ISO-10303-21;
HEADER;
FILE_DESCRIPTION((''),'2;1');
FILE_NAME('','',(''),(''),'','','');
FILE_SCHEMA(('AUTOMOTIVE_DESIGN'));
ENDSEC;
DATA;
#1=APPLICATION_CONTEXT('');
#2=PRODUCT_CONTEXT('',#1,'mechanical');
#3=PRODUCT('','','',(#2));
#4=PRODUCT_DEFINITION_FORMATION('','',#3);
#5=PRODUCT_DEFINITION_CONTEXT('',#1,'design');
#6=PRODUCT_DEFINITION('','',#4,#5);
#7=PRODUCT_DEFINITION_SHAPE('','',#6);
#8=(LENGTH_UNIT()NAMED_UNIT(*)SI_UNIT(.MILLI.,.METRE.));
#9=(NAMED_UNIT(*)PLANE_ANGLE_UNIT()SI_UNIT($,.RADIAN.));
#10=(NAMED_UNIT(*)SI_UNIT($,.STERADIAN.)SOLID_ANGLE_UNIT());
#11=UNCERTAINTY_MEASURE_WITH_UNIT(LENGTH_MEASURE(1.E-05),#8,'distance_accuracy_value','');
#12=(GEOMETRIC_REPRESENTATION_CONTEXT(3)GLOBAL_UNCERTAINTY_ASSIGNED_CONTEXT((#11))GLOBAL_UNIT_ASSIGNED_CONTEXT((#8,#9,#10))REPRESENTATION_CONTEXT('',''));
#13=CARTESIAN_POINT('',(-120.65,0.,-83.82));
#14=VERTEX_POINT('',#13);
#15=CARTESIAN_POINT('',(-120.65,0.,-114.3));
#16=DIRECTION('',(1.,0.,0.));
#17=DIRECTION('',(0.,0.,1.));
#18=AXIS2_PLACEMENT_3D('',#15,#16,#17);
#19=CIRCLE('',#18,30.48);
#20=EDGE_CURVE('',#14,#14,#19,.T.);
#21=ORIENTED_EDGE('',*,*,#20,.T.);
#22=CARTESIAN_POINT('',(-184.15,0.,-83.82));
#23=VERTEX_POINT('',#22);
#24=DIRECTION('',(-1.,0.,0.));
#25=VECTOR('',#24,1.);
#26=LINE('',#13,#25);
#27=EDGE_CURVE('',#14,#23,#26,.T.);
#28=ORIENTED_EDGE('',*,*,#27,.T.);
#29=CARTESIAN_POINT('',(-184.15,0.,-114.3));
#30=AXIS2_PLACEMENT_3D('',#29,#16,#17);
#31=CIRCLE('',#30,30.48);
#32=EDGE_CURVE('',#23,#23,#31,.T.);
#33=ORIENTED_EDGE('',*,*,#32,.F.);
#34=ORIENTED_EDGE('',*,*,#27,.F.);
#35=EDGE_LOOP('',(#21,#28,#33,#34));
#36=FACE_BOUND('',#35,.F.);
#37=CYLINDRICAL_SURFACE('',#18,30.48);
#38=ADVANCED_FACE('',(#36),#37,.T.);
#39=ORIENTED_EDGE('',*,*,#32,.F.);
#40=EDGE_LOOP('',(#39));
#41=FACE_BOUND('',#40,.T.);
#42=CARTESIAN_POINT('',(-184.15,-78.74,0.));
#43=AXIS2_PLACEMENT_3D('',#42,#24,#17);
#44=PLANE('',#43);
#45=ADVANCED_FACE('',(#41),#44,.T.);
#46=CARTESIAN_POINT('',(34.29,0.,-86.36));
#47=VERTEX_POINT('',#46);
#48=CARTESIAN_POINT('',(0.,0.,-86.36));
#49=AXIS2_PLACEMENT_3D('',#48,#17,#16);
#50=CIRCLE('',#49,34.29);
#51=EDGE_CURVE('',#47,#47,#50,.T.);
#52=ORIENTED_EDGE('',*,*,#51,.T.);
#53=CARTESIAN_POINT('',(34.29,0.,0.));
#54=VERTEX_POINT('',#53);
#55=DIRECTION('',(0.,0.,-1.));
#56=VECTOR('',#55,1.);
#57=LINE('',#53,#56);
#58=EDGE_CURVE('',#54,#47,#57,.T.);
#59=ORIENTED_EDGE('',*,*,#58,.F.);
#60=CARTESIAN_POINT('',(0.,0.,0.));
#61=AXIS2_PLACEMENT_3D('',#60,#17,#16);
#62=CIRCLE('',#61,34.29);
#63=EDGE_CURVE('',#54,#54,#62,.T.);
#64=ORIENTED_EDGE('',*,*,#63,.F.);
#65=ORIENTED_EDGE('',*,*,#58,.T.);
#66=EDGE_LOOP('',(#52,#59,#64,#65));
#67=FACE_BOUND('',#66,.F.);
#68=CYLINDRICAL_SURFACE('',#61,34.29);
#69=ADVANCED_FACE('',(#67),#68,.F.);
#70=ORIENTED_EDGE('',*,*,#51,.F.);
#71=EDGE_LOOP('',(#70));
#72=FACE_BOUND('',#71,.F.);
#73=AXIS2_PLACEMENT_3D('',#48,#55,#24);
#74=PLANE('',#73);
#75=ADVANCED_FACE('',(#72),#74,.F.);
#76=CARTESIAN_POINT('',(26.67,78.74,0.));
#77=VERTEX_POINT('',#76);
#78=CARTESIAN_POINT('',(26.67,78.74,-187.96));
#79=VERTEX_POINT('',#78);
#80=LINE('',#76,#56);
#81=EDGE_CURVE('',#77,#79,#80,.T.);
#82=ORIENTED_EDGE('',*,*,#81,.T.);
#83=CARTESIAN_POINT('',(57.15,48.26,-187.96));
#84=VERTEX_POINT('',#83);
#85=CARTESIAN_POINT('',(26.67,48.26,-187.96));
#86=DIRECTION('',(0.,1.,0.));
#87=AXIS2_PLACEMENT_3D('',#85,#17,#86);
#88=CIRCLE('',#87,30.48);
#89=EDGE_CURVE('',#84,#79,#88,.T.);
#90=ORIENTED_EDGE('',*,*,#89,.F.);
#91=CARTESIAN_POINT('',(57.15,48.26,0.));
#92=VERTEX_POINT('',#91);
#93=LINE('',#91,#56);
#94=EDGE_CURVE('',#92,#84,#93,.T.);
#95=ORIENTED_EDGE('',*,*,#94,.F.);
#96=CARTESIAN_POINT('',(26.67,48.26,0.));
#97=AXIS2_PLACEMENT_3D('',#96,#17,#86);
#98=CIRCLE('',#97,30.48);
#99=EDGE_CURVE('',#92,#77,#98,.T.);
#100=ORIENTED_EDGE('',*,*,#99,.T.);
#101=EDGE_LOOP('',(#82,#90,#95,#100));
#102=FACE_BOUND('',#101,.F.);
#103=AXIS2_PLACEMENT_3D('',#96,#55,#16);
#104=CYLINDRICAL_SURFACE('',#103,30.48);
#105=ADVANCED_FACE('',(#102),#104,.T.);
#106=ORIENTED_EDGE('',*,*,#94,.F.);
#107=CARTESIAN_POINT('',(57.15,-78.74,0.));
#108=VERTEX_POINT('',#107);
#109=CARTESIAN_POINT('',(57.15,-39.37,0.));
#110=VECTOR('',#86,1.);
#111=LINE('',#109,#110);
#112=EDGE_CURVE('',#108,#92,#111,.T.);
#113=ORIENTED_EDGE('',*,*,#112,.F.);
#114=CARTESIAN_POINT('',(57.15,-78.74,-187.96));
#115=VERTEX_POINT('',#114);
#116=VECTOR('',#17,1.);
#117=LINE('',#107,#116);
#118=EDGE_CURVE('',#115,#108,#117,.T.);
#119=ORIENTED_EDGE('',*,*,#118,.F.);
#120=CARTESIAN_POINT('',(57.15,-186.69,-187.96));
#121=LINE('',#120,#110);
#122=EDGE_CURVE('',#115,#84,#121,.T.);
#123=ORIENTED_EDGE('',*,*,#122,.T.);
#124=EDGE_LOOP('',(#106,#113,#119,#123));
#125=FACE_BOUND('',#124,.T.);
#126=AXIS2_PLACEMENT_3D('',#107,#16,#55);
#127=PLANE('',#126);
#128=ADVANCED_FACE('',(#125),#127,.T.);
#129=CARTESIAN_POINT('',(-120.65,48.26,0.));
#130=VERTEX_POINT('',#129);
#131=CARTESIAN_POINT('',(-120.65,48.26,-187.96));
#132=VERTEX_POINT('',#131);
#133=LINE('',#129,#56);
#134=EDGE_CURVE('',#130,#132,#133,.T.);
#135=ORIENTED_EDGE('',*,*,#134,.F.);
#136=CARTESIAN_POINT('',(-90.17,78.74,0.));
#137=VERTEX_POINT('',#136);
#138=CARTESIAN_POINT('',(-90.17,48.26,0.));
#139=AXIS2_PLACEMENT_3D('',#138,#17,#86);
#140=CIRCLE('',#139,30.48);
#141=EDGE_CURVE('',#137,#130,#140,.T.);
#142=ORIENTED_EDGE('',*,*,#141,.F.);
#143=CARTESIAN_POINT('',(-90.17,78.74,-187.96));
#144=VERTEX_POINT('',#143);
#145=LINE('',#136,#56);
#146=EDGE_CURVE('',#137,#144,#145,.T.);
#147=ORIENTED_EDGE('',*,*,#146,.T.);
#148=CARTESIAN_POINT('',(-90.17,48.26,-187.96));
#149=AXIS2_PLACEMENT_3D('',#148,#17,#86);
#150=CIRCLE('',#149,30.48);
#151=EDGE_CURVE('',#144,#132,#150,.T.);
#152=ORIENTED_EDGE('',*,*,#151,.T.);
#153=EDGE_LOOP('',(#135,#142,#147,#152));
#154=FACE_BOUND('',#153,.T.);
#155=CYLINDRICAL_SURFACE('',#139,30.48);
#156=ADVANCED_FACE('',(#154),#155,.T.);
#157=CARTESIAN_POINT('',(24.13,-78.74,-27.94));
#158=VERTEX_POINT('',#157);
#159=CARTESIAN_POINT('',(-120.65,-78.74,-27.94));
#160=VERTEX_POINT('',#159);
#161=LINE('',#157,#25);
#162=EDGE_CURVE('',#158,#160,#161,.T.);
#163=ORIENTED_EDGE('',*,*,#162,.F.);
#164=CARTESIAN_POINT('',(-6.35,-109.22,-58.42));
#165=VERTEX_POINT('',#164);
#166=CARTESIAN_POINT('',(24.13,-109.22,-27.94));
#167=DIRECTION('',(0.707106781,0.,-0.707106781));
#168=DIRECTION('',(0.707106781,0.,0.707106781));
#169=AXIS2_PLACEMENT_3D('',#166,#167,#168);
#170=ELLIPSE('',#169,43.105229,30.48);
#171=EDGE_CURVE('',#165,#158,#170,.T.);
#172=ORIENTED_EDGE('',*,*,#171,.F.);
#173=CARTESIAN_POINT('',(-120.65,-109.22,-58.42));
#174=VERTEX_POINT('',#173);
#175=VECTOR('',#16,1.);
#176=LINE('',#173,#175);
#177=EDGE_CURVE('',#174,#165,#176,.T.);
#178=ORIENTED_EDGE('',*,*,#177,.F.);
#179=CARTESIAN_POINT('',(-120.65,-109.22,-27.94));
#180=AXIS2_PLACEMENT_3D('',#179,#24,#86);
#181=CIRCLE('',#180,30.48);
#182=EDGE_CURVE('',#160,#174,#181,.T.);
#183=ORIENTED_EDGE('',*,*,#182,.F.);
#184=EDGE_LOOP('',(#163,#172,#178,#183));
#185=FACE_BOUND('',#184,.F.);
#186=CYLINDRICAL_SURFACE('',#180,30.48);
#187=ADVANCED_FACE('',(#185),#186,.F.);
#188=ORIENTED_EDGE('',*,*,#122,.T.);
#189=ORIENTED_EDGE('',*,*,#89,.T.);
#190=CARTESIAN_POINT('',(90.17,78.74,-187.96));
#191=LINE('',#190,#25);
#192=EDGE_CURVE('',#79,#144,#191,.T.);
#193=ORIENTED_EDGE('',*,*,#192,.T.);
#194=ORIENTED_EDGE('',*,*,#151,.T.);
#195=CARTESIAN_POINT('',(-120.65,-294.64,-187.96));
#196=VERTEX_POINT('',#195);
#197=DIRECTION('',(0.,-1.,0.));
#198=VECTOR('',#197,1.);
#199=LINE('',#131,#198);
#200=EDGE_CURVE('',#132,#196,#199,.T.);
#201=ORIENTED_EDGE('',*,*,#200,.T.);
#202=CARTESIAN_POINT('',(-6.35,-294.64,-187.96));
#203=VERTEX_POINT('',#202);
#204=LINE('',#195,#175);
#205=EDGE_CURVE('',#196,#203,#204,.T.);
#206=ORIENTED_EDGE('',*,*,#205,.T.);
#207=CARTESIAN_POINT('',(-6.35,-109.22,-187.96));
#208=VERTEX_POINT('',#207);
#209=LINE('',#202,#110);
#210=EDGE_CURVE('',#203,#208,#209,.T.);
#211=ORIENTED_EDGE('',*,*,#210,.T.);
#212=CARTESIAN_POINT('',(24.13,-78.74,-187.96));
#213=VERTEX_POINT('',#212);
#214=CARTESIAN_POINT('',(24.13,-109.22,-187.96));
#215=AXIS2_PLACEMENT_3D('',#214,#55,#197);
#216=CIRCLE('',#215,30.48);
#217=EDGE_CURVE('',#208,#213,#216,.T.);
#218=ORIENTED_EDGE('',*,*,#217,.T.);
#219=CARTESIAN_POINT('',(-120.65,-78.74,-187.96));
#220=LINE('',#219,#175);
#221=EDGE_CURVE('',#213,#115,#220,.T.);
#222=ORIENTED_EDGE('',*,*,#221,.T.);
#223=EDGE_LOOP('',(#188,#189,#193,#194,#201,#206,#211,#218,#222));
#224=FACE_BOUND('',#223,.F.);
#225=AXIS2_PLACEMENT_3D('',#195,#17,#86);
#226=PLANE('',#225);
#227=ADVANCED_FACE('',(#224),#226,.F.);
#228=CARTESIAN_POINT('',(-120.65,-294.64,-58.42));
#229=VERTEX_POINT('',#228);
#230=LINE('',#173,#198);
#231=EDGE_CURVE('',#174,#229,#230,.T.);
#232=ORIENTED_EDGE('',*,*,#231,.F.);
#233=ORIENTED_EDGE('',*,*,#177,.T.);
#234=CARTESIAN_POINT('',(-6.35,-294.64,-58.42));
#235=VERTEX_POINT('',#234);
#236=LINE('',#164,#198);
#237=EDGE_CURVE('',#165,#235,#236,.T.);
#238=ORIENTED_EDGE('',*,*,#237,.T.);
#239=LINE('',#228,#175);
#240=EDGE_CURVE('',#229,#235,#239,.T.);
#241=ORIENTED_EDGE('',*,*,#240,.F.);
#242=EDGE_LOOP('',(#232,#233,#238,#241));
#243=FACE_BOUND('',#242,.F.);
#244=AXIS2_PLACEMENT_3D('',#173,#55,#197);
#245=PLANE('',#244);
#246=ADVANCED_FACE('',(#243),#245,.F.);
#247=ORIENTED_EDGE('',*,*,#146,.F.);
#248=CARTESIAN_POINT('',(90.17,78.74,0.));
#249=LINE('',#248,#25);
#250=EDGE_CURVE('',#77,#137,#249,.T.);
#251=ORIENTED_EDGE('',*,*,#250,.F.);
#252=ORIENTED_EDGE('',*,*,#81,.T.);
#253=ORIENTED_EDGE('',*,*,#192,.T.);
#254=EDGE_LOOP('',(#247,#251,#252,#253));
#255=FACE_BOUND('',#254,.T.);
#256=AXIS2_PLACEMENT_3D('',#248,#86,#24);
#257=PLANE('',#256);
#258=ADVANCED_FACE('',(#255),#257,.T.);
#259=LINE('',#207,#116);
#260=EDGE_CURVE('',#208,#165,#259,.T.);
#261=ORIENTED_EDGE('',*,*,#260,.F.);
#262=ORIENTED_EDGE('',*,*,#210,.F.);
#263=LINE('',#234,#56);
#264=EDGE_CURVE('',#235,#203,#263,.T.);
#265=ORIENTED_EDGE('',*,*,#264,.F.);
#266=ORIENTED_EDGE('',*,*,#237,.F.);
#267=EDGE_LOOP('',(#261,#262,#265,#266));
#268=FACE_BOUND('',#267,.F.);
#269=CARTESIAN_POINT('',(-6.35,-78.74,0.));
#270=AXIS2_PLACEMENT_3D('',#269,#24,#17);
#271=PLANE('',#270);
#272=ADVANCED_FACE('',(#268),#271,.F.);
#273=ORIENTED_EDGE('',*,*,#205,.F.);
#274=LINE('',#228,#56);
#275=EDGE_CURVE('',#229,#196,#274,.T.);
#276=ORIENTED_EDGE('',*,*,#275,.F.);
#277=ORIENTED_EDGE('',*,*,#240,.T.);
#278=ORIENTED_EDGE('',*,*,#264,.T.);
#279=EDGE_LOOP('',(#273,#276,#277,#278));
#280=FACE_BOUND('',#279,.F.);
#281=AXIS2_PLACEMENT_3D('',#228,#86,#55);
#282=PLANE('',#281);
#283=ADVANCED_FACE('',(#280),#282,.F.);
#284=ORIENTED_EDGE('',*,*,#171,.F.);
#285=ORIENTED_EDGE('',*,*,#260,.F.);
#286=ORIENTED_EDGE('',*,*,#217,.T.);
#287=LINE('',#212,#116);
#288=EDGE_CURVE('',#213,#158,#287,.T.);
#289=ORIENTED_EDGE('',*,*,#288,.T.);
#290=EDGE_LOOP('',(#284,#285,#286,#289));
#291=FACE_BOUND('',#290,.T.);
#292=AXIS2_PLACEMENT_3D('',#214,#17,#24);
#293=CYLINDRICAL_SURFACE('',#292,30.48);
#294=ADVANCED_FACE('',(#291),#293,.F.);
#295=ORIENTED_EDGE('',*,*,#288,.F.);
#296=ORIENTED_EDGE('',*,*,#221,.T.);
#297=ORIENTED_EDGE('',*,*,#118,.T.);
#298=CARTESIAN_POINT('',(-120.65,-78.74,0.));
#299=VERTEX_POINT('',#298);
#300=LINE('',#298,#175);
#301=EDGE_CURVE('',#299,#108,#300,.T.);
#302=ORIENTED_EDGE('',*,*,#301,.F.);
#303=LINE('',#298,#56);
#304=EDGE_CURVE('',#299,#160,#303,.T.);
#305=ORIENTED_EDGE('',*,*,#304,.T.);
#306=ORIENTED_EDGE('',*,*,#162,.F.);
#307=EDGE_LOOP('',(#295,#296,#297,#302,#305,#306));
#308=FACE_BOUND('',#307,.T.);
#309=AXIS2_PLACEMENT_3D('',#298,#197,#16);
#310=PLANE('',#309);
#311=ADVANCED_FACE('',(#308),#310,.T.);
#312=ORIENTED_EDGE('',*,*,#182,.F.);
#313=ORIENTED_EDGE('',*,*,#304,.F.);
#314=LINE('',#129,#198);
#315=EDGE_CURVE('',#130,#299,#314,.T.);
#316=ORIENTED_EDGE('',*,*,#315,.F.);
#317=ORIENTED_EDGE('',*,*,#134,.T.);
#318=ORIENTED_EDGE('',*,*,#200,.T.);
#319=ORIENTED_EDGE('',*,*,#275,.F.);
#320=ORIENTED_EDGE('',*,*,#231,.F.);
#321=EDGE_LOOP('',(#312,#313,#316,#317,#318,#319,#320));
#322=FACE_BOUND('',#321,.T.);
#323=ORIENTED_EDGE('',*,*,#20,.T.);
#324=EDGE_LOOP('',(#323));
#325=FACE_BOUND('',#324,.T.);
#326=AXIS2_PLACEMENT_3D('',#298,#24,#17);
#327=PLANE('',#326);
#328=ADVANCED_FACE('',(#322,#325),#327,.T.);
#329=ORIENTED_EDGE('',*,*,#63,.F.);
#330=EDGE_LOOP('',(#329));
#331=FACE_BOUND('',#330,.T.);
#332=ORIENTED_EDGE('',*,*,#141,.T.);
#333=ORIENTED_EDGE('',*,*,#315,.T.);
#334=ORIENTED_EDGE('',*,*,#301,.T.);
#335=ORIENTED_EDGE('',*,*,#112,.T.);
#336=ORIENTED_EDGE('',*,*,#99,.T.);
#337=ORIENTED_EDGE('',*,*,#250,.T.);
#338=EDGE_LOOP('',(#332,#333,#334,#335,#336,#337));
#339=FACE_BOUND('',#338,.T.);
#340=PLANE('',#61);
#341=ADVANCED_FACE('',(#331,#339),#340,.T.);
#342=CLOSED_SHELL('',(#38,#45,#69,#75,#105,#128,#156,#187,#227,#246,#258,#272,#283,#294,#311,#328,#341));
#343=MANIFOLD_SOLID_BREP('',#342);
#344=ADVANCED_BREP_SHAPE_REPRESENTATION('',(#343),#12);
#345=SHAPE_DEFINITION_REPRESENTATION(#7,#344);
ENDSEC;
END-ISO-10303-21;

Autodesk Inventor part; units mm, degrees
ref_plane "YZ Plane" through (0, 0, 0) normal (1, 0, 0) x (0, 1, 0)
ref_plane "XZ Plane" through (0, 0, 0) normal (0, 1, 0) x (-1, 0, 0)
ref_plane "XY Plane" through (0, 0, 0) normal (0, 0, 1) x (1, 0, 0)
sketch "Sketch1" plane through (0, 0, 0) normal (0, 0, 1) x (1, 0, 0)
  circle A0 centre (0, 0) radius 34.29
  line L0 (-120.65, -78.74) -> (120.65, -78.74)
  line L1 (120.65, -78.74) -> (120.65, 48.26)
  line L2 (90.17, 78.74) -> (-90.17, 78.74)
  line L3 (-120.65, 48.26) -> (-120.65, -78.74)
  arc A1 (-90.17, 78.74) -> (-120.65, 48.26) centre (-90.17, 48.26) ccw
  arc A2 (120.65, 48.26) -> (90.17, 78.74) centre (90.17, 48.26) ccw
  point P0 (120.65, 78.74)
  point P1 (-120.65, 78.74)
  dimension "d0" = 68.58
  dimension "d1" = 157.48
  dimension "d2" = 241.3
  dimension "d3" = 78.74
  dimension "d4" = 120.65
  dimension "d5" = 30.48
extrude "Extrusion1" add sketch "Sketch1" against normal blind 187.96
sketch "Sketch2" plane through (0, 0, -187.96) normal (0, 0, -1) x (-1, 0, 0)
  circle A0 centre (0, 0) radius 34.29 projected
  circle A1 centre (0, 0) radius 52.0012
extrude "Extrusion2" add sketch "Sketch2" against normal blind 101.6 contours A0 | A1
sketch "Sketch3" plane through (-120.65, -78.74, 0) normal (-1, 0, 0) x (0, 0, 1)
  line L0 (-187.96, 0) -> (-187.96, 127) projected
  line L1 (-187.96, 127) -> (-58.42, 127)
  line L2 (-58.42, -30.48) -> (-58.42, -215.9)
  line L3 (-58.42, -215.9) -> (-187.96, -215.9)
  line L4 (-187.96, -215.9) -> (-187.96, 127)
  line L5 (0, 0) -> (-187.96, 0) projected
  line L6 (-27.94, 0) -> (0, 0)
  line L7 (-187.96, -215.9) -> (-58.42, -215.9)
  line L8 (-58.42, -215.9) -> (-58.42, -30.48)
  line L9 (-58.42, 0) -> (-187.96, 0)
  line L10 (-187.96, 0) -> (-187.96, -215.9)
  arc A0 (-27.94, 0) -> (-58.42, -30.48) centre (-27.94, -30.48) ccw
  line L11 (0, 0) -> (-187.96, 0)
  line L12 (-187.96, -215.9) -> (-58.42, -215.9)
  arc A1 (-27.94, 0) -> (-58.42, -30.48) centre (-27.94, -30.48) ccw
  line L13 (-58.42, -30.48) -> (-58.42, -215.9)
  line L14 (-187.96, -215.9) -> (-187.96, 0)
  line L15 (-187.96, 0) -> (-27.94, 0)
  arc A2 (-27.94, 0) -> (-58.42, -30.48) centre (-27.94, -30.48) ccw
  point P0 (0, 78.74)
  dimension "d10" = 129.54
  dimension "d11" = 342.9
  dimension "d12" = 30.48
extrude "Extrusion3" add sketch "Sketch3" against normal blind 114.3
fillet "Fillet1" radius 30.48 1 edges at (-6.35, -78.74, -107.95)
sketch "Sketch4" plane through (-120.65, -78.74, 0) normal (-1, 0, 0) x (0, 0, 1)
  line L0 (0, 127) -> (-187.96, 127) projected
  line L1 (-187.96, 127) -> (-187.96, 69.85)
  line L2 (-187.96, 127) -> (-187.96, 0) projected
  line L3 (-144.78, 78.74) -> (-114.3, 78.74)
  circle A0 centre (-114.3, 78.74) radius 30.48
  line L4 (0, 127) -> (0, 0) projected
  point P0 (0, 78.74)
  dimension "d18" = 60.96
  dimension "d17" = 57.15
  dimension "d21" = 114.3
  dimension "d25" = 0
extrude "Extrusion4" add sketch "Sketch4" along normal blind 63.5
sketch "Sketch5" plane through (120.65, -78.74, 0) normal (1, 0, 0) x (0, 0, -1)
  line L0 (-23.8125, -17.4625) -> (228.6, -17.4625)
  line L1 (228.6, -17.4625) -> (228.6, 187.325)
  line L2 (228.6, 187.325) -> (-23.8125, 187.325)
  line L3 (-23.8125, 187.325) -> (-23.8125, -17.4625)
  point P0 (0, 78.74)
extrude "Extrusion5" cut sketch "Sketch5" against normal blind 63.5
fillet "Fillet2" radius 30.48 1 edges at (57.15, 78.74, -93.98)
equation "\"d3\" = 0.5 * d1"
equation "\"d4\" = 0.5 * d2"
properties part number "Shoulder1 Link-lrg"
